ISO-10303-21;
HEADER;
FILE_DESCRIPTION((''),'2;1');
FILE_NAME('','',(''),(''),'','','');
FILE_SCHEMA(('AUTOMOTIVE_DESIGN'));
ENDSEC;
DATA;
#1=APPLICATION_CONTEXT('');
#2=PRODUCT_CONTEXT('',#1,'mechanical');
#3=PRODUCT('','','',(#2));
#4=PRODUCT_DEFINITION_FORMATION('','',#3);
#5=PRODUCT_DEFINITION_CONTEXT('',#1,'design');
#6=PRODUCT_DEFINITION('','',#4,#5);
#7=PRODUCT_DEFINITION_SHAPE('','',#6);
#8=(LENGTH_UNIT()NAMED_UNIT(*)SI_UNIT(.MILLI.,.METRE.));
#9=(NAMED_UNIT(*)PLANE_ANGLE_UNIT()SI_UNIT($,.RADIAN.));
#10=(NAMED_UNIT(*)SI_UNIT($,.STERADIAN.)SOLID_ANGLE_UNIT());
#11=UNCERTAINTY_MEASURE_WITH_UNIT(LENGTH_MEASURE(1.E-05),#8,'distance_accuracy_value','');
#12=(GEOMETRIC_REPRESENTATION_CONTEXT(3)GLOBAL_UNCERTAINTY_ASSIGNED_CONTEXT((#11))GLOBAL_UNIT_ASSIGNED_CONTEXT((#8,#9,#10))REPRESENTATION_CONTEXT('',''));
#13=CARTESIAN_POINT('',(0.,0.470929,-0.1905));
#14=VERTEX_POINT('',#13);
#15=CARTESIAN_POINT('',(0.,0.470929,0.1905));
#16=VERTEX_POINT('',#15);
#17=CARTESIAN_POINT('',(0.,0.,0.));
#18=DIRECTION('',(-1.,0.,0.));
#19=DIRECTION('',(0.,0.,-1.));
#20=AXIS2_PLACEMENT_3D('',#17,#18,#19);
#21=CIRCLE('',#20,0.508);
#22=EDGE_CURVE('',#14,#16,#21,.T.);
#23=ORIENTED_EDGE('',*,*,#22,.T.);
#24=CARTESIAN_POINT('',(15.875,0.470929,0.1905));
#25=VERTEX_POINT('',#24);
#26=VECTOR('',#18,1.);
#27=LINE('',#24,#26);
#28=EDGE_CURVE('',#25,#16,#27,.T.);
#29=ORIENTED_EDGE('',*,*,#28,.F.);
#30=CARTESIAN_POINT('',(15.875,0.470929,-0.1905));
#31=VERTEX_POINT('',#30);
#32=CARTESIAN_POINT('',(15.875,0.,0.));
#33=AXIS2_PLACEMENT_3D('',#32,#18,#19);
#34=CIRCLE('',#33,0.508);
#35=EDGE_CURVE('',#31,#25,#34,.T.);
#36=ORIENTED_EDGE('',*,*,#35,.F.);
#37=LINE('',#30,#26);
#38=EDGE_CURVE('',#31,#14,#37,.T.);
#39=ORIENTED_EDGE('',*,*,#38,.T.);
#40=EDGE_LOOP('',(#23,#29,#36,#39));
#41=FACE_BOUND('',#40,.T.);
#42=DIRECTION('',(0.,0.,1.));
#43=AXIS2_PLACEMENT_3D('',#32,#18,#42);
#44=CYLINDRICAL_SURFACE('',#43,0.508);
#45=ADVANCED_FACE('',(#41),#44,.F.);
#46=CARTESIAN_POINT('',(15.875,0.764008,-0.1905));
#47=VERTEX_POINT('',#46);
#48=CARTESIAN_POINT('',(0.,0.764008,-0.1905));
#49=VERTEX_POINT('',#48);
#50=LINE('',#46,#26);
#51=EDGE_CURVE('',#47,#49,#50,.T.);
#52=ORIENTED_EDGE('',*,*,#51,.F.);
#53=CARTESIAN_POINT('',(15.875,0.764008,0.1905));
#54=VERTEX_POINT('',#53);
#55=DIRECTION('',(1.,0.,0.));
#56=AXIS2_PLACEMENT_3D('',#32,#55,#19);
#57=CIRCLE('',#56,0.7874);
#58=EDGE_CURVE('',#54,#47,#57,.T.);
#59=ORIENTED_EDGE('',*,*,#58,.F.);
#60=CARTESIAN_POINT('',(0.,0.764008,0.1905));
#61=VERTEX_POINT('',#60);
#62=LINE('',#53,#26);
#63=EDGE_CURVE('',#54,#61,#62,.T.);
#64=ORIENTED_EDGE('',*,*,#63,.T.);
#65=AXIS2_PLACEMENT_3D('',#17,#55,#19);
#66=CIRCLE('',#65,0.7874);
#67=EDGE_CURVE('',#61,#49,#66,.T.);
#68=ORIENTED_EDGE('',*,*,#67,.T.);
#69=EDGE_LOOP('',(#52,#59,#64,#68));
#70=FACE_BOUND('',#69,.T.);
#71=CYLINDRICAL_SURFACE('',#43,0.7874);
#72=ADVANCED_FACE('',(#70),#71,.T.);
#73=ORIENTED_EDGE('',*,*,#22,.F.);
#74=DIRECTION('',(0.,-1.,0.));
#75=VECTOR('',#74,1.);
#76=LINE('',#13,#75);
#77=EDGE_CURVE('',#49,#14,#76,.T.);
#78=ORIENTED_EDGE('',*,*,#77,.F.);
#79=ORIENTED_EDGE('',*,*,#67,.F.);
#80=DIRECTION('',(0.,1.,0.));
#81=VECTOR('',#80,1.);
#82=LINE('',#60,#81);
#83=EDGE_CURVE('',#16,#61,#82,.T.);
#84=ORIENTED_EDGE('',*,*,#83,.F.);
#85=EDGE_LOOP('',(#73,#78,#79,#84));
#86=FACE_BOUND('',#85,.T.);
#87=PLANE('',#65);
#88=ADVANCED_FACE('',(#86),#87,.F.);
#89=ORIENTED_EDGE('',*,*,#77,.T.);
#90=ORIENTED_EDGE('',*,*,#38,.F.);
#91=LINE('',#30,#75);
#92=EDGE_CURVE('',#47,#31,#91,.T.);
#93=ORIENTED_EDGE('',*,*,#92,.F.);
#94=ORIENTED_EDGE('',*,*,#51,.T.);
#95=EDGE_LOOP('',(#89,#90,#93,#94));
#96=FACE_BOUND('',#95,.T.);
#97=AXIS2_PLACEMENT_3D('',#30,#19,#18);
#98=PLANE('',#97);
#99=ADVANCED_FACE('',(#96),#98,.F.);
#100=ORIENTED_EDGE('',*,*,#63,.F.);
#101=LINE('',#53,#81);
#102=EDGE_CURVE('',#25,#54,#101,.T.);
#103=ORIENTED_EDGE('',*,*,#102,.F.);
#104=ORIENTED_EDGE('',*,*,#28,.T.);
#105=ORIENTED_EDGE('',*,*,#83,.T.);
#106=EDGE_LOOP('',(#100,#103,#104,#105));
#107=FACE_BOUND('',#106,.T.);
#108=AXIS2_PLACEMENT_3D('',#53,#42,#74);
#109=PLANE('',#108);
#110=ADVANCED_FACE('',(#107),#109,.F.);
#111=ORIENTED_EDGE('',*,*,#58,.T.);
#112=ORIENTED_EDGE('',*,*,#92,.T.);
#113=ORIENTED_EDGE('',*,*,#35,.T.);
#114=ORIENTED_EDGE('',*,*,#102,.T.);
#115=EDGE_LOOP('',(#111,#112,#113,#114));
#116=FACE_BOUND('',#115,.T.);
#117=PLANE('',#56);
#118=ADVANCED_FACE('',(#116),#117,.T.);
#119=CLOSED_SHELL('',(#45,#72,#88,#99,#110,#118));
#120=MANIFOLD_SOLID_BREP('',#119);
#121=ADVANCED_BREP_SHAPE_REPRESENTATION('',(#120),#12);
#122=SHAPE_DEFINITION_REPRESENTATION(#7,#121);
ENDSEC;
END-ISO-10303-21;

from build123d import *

# Parameters (mm, degrees)
BOSS_EXTRUDE1_DEPTH = 15.875


with BuildPart() as part:
    # Sketch1 → Boss-Extrude1 (new body)
    with BuildSketch(Plane(origin=(0, 0, 0), x_dir=(0, 0, -1), z_dir=(1, 0, 0))):
        with BuildLine():
            Line((0.1905, 0.470928604), (0.1905, 0.764008187))
            ThreePointArc((0.1905, 0.764008187), (0, -0.7874), (-0.1905, 0.764008187))
            Line((-0.1905, 0.764008187), (-0.1905, 0.470928604))
            ThreePointArc((-0.1905, 0.470928604), (0, -0.508), (0.1905, 0.470928604))
        make_face()
    extrude(amount=BOSS_EXTRUDE1_DEPTH)


solid = part.part
